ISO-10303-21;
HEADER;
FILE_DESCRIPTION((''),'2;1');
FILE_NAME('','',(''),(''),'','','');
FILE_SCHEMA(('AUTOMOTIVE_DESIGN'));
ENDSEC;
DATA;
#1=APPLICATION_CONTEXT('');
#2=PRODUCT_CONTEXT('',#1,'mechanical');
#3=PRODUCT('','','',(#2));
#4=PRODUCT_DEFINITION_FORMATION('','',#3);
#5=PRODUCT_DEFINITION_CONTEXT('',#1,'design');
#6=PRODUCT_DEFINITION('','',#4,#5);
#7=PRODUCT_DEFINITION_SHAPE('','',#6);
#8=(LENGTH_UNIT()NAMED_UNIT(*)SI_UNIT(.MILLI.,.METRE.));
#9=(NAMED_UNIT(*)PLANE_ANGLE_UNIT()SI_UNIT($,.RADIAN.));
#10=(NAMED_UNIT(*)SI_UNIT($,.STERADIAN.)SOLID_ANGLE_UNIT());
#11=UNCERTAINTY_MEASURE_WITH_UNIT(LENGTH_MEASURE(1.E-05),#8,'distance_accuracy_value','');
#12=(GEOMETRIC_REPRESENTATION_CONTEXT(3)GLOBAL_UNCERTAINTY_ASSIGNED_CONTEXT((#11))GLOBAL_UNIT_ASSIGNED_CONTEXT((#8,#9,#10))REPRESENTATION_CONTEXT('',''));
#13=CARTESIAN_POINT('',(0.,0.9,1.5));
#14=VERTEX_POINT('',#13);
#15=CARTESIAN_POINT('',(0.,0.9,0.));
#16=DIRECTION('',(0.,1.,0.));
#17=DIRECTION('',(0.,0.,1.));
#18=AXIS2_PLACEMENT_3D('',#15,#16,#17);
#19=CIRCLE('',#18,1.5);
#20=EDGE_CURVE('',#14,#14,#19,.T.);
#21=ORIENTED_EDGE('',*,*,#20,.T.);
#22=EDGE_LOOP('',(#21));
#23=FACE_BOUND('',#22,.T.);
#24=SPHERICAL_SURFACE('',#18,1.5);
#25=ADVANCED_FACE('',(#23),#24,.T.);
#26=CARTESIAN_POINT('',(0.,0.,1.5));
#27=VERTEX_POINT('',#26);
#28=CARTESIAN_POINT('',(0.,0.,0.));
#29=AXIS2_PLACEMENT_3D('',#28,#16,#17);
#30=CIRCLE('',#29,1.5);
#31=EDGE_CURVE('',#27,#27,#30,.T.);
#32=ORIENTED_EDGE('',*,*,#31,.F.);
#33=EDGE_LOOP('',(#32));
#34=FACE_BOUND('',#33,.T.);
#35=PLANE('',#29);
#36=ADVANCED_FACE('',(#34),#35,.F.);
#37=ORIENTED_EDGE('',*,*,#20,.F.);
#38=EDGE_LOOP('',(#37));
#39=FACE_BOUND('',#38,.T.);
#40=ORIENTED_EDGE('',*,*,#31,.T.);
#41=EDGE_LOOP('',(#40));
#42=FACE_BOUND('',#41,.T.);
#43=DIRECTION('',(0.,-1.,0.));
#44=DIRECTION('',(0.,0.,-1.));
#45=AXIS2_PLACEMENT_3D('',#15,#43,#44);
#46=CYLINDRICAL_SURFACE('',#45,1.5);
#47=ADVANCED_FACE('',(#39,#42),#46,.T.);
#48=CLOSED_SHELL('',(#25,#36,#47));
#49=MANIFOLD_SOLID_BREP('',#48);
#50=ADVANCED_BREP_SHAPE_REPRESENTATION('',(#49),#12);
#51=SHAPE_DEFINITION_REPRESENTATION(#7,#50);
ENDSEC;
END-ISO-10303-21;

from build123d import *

# Parameters (mm, degrees)
SKETCH1_R           = 1.5
BOSS_EXTRUDE1_DEPTH = 0.9
DOME1_FACE_RADIUS   = 1.5
DOME1_HEIGHT        = 1.5


with BuildPart() as part:
    # Sketch1 → Boss-Extrude1 (new body)
    with BuildSketch(Plane(origin=(0, 0, 0), x_dir=(1, 0, 0), z_dir=(0, 1, 0))):
        Circle(SKETCH1_R)
    extrude(amount=BOSS_EXTRUDE1_DEPTH)

    # Dome1: a dome of height H over a round flat face of radius A is a cap of a sphere of radius (A * A + H * H) / (2 * H)
    dome1_r = (DOME1_FACE_RADIUS * DOME1_FACE_RADIUS + DOME1_HEIGHT * DOME1_HEIGHT) / (2 * DOME1_HEIGHT)
    dome1_base = Plane((0, 0.9, 0), z_dir=(0, 1, 0))
    with Locations(dome1_base.offset(DOME1_HEIGHT - dome1_r)):
        dome1_ball = Sphere(dome1_r, mode=Mode.PRIVATE)
    add(split(dome1_ball, bisect_by=dome1_base, keep=Keep.TOP, mode=Mode.PRIVATE))


solid = part.part
